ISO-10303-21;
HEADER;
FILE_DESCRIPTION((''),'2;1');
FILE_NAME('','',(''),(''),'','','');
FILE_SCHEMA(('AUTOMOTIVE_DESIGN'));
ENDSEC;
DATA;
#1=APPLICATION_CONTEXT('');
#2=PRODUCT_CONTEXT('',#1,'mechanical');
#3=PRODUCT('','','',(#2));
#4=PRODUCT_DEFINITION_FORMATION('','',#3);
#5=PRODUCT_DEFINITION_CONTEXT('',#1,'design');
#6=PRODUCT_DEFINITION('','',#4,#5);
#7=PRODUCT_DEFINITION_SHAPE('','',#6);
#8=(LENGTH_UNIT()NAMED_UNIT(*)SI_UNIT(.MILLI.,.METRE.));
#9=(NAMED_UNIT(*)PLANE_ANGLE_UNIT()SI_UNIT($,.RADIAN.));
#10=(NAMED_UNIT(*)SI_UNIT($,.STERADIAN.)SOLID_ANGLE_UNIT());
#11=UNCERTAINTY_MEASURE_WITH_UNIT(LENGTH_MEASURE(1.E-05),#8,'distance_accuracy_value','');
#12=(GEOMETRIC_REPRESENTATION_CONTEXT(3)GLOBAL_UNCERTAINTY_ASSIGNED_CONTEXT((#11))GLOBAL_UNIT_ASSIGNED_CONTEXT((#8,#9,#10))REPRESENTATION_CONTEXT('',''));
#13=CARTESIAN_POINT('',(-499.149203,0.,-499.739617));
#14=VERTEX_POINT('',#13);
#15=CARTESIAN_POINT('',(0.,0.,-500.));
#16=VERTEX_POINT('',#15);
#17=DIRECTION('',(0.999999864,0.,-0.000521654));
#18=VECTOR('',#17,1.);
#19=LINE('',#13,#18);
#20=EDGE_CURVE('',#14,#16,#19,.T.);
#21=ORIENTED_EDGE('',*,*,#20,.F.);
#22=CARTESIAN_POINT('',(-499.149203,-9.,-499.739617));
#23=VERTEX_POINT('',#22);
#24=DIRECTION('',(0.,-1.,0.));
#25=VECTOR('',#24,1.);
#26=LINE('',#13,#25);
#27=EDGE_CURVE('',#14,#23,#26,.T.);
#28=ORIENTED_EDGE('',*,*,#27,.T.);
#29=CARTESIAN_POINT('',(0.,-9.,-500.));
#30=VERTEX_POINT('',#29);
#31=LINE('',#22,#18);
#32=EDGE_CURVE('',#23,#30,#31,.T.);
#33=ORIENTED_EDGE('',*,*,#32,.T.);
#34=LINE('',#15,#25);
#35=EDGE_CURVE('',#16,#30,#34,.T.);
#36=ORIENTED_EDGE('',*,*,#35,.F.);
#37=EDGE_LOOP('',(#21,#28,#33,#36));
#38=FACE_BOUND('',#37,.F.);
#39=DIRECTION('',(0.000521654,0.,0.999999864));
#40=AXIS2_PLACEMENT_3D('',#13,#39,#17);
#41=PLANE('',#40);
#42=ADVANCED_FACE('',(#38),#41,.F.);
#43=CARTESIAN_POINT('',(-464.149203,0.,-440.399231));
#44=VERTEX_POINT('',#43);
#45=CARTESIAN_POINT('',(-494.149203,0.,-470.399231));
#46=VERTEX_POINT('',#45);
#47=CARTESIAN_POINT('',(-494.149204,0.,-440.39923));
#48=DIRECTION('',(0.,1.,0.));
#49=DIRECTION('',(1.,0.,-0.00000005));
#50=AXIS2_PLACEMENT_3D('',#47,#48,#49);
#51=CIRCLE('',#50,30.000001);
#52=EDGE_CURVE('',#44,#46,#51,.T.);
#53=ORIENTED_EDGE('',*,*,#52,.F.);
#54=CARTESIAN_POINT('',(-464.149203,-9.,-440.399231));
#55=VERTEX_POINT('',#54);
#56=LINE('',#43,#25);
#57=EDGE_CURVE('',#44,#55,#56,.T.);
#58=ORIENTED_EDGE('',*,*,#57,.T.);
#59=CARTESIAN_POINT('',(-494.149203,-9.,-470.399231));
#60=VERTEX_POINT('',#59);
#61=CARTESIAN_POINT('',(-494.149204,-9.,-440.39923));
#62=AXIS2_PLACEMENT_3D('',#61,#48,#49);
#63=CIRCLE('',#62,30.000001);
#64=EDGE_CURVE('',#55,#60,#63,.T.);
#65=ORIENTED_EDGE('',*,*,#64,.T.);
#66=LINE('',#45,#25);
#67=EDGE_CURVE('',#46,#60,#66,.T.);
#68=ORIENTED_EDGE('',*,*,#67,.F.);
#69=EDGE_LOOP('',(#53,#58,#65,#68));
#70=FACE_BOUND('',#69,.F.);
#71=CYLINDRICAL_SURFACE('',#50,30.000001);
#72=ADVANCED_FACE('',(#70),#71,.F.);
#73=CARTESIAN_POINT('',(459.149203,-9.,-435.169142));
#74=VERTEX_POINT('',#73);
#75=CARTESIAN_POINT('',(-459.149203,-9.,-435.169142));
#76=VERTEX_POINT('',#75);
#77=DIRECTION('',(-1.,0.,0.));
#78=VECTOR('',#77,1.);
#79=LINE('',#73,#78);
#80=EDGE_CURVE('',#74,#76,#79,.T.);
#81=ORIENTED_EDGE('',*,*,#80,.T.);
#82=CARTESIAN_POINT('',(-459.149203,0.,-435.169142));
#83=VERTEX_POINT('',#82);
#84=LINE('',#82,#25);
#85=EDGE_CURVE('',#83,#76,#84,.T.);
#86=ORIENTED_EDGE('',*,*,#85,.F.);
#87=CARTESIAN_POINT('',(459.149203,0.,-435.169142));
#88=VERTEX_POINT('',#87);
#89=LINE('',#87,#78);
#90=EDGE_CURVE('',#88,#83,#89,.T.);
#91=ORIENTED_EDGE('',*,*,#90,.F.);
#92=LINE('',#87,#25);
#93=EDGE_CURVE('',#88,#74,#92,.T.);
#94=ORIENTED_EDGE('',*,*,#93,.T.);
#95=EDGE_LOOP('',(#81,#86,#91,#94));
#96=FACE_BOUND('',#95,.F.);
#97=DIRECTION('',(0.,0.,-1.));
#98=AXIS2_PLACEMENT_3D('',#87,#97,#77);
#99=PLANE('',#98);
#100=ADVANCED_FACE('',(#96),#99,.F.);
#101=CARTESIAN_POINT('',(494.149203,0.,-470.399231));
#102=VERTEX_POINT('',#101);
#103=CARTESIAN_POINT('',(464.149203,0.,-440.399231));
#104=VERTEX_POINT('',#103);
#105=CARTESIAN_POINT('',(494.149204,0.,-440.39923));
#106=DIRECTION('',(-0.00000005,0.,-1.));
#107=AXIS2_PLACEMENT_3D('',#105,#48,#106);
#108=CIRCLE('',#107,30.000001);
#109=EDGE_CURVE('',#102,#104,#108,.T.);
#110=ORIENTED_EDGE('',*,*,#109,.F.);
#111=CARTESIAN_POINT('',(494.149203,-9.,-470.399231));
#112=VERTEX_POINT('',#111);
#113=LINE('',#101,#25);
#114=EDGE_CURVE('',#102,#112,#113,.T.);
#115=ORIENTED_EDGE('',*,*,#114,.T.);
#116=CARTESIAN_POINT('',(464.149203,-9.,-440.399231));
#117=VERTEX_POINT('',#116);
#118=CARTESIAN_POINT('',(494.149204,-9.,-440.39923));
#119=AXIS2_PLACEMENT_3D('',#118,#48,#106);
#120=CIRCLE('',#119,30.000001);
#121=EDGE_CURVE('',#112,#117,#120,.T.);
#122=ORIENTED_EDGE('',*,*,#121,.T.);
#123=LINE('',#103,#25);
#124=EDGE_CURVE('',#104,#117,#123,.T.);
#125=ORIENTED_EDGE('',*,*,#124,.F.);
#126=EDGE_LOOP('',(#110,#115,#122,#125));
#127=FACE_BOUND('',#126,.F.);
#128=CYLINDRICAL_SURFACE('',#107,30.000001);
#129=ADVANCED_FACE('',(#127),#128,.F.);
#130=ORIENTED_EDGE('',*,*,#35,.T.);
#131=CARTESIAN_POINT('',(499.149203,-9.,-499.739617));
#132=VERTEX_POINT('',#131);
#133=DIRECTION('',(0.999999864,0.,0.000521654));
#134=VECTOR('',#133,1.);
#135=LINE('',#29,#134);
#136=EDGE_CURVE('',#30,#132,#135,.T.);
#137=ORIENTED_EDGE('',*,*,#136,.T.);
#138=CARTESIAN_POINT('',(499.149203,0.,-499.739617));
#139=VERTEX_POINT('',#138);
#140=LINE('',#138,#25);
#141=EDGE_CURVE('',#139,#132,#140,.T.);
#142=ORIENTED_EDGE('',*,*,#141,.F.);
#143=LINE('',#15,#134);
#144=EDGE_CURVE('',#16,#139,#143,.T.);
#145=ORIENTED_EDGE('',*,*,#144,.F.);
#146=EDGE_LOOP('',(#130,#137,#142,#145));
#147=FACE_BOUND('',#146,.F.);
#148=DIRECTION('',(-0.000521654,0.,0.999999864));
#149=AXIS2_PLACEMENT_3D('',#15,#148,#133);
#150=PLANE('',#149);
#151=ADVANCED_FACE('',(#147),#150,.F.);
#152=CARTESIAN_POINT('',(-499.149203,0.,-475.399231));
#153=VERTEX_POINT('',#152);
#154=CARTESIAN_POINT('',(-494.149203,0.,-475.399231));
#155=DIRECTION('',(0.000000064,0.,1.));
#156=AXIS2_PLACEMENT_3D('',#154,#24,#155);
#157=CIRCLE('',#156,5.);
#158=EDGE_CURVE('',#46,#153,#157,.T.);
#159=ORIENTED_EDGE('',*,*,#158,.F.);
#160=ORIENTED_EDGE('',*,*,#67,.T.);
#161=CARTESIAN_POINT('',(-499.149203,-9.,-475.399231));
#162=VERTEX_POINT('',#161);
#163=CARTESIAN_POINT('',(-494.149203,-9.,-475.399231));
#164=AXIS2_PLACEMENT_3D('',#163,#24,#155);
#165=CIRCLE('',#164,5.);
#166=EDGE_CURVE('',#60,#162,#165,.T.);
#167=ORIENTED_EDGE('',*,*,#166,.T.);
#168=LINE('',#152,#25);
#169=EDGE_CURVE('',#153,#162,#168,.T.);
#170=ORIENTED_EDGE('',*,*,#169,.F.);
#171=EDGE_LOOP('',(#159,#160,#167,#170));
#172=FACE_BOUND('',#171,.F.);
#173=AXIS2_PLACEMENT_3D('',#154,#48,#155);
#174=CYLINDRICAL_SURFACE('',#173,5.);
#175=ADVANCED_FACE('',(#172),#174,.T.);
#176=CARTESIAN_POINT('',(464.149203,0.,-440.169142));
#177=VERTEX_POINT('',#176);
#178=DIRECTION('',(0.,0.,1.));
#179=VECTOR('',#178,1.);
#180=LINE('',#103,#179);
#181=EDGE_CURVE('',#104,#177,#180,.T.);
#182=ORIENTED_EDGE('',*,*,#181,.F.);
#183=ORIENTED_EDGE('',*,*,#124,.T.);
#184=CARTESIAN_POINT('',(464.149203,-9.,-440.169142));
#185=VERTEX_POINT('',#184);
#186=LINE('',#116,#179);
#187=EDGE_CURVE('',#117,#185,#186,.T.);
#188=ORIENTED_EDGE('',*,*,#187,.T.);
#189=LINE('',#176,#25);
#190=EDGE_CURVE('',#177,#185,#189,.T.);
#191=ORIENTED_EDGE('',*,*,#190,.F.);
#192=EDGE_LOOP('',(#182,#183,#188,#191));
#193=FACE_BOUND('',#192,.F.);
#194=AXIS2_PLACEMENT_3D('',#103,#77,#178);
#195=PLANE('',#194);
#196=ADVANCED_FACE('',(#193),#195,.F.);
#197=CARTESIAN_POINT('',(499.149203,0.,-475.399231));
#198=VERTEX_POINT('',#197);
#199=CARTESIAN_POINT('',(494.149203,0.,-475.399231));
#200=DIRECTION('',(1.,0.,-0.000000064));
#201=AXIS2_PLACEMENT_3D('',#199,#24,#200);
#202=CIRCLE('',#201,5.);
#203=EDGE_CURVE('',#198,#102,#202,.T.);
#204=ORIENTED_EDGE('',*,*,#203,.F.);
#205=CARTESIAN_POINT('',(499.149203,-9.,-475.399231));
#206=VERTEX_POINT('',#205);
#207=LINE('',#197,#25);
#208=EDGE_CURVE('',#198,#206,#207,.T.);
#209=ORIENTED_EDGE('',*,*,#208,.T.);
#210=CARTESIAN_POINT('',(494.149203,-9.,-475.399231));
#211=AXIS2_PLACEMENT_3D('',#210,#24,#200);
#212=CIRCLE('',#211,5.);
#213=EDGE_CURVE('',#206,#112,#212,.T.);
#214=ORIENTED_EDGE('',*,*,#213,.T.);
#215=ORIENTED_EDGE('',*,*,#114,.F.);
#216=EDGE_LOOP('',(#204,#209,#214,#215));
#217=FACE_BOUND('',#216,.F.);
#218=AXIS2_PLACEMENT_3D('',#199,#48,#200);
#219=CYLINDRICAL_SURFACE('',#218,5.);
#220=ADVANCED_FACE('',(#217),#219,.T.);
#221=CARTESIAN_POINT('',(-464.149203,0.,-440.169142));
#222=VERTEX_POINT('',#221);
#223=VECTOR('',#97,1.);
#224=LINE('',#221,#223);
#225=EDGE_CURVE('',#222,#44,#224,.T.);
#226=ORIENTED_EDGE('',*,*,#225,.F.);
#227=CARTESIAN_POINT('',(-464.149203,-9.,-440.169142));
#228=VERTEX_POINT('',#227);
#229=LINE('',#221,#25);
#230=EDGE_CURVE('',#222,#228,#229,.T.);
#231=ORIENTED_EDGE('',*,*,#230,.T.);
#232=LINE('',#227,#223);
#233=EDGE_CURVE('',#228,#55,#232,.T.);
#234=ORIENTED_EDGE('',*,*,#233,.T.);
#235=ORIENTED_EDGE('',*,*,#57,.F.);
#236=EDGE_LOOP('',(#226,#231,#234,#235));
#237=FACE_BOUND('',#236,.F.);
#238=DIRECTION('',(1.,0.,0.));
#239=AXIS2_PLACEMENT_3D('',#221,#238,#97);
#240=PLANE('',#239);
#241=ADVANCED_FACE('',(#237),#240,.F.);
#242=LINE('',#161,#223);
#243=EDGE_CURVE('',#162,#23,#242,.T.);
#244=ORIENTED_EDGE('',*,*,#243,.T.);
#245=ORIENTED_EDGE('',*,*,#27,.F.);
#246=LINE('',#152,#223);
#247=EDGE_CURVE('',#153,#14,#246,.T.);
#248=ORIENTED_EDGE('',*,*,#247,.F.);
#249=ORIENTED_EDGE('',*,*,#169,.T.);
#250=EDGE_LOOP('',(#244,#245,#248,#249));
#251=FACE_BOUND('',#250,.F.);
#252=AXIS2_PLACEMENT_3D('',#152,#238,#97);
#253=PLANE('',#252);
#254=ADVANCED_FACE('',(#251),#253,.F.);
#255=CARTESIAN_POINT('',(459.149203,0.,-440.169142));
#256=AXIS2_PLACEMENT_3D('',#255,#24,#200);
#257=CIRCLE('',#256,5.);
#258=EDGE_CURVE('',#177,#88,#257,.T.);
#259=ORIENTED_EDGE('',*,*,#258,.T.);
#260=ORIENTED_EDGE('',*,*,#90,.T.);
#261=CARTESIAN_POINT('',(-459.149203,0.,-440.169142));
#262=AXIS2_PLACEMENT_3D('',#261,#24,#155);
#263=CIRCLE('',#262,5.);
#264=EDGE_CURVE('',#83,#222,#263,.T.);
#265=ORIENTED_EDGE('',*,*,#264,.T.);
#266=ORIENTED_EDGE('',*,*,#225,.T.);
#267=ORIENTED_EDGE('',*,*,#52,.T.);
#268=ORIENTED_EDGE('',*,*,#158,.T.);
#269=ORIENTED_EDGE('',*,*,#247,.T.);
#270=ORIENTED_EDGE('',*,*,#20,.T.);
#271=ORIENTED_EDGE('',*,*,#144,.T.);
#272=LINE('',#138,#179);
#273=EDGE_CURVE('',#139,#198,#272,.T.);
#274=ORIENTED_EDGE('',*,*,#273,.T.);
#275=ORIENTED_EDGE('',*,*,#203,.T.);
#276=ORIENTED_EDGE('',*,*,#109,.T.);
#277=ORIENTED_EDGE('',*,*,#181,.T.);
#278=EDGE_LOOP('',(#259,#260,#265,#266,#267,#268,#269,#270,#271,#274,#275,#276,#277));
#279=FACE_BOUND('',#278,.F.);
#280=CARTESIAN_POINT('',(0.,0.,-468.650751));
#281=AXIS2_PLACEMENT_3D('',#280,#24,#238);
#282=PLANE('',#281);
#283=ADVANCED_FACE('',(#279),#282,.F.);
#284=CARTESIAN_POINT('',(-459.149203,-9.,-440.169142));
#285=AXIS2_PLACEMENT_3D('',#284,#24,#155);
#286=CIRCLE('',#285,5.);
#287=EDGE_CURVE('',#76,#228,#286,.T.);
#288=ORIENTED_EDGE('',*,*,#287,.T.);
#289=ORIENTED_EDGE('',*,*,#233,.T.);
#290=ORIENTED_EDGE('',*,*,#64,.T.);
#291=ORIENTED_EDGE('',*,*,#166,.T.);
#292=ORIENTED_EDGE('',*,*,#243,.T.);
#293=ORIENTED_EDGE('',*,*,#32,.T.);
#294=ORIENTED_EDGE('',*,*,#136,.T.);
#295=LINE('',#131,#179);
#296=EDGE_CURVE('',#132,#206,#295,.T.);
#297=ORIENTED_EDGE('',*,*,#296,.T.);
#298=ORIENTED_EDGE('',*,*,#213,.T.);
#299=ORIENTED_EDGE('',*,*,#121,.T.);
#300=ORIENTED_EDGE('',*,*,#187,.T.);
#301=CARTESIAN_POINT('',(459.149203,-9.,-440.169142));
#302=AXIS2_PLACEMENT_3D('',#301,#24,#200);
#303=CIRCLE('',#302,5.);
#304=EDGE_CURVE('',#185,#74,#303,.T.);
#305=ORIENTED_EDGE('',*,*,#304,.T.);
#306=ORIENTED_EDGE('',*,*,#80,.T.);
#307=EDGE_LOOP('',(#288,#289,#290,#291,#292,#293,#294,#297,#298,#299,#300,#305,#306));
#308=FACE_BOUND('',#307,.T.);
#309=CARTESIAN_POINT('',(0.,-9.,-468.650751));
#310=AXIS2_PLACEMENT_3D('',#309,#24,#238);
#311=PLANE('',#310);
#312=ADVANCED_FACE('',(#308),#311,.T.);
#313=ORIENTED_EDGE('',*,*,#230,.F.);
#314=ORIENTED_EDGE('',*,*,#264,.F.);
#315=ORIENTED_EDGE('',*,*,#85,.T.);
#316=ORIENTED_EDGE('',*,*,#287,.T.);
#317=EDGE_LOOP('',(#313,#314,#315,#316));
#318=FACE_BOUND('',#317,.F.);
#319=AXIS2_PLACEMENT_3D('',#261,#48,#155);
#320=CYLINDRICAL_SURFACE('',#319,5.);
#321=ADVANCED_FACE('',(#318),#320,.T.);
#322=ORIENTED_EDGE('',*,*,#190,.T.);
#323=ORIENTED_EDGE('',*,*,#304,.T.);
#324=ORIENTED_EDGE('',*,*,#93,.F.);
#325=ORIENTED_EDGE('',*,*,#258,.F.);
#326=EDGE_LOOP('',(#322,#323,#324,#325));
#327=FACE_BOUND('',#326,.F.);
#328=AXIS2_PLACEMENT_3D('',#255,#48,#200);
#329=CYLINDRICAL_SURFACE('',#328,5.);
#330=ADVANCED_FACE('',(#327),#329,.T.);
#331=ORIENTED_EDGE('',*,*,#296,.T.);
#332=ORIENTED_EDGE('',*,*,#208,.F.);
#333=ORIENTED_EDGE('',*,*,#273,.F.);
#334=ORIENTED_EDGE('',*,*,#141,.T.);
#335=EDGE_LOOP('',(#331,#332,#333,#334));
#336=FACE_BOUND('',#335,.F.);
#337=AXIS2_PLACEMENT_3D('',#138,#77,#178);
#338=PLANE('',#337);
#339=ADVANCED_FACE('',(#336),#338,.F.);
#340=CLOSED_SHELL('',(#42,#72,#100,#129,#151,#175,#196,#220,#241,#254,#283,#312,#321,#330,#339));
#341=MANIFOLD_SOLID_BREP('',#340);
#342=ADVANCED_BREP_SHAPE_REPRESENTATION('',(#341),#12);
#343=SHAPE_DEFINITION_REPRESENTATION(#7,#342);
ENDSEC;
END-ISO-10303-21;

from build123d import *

# Parameters (mm, degrees)
F3_DEPTH = 9


with BuildPart() as f3:
    # F2 (on face) → F3 (new body)
    with BuildSketch(Plane.XZ):
        with BuildLine():
            Line((499.149203, -499.739617), (499.149203, -475.399231))
            ThreePointArc((499.149203, -475.399231), (497.684737, -471.863697), (494.149203, -470.399231))
            ThreePointArc((494.149203, -470.399231), (472.936, -461.612434), (464.149203, -440.399231))
            Line((464.149203, -440.399231), (464.149203, -440.169142))
            ThreePointArc((464.149203, -440.169142), (462.684737, -436.633608), (459.149203, -435.169142))
            Line((459.149203, -435.169142), (0, -435.169142))
            Line((0, -435.169142), (-459.149203, -435.169142))
            ThreePointArc((-459.149203, -435.169142), (-462.684737, -436.633608), (-464.149203, -440.169142))
            Line((-464.149203, -440.169142), (-464.149203, -440.399231))
            ThreePointArc((-464.149203, -440.399231), (-472.936, -461.612434), (-494.149203, -470.399231))
            ThreePointArc((-494.149203, -470.399231), (-497.684737, -471.863697), (-499.149203, -475.399231))
            Line((-499.149203, -475.399231), (-499.149203, -499.739617))
            Line((-499.149203, -499.739617), (0, -500))
            Line((0, -500), (499.149203, -499.739617))
        make_face()
    extrude(amount=F3_DEPTH)


solid = f3.part
